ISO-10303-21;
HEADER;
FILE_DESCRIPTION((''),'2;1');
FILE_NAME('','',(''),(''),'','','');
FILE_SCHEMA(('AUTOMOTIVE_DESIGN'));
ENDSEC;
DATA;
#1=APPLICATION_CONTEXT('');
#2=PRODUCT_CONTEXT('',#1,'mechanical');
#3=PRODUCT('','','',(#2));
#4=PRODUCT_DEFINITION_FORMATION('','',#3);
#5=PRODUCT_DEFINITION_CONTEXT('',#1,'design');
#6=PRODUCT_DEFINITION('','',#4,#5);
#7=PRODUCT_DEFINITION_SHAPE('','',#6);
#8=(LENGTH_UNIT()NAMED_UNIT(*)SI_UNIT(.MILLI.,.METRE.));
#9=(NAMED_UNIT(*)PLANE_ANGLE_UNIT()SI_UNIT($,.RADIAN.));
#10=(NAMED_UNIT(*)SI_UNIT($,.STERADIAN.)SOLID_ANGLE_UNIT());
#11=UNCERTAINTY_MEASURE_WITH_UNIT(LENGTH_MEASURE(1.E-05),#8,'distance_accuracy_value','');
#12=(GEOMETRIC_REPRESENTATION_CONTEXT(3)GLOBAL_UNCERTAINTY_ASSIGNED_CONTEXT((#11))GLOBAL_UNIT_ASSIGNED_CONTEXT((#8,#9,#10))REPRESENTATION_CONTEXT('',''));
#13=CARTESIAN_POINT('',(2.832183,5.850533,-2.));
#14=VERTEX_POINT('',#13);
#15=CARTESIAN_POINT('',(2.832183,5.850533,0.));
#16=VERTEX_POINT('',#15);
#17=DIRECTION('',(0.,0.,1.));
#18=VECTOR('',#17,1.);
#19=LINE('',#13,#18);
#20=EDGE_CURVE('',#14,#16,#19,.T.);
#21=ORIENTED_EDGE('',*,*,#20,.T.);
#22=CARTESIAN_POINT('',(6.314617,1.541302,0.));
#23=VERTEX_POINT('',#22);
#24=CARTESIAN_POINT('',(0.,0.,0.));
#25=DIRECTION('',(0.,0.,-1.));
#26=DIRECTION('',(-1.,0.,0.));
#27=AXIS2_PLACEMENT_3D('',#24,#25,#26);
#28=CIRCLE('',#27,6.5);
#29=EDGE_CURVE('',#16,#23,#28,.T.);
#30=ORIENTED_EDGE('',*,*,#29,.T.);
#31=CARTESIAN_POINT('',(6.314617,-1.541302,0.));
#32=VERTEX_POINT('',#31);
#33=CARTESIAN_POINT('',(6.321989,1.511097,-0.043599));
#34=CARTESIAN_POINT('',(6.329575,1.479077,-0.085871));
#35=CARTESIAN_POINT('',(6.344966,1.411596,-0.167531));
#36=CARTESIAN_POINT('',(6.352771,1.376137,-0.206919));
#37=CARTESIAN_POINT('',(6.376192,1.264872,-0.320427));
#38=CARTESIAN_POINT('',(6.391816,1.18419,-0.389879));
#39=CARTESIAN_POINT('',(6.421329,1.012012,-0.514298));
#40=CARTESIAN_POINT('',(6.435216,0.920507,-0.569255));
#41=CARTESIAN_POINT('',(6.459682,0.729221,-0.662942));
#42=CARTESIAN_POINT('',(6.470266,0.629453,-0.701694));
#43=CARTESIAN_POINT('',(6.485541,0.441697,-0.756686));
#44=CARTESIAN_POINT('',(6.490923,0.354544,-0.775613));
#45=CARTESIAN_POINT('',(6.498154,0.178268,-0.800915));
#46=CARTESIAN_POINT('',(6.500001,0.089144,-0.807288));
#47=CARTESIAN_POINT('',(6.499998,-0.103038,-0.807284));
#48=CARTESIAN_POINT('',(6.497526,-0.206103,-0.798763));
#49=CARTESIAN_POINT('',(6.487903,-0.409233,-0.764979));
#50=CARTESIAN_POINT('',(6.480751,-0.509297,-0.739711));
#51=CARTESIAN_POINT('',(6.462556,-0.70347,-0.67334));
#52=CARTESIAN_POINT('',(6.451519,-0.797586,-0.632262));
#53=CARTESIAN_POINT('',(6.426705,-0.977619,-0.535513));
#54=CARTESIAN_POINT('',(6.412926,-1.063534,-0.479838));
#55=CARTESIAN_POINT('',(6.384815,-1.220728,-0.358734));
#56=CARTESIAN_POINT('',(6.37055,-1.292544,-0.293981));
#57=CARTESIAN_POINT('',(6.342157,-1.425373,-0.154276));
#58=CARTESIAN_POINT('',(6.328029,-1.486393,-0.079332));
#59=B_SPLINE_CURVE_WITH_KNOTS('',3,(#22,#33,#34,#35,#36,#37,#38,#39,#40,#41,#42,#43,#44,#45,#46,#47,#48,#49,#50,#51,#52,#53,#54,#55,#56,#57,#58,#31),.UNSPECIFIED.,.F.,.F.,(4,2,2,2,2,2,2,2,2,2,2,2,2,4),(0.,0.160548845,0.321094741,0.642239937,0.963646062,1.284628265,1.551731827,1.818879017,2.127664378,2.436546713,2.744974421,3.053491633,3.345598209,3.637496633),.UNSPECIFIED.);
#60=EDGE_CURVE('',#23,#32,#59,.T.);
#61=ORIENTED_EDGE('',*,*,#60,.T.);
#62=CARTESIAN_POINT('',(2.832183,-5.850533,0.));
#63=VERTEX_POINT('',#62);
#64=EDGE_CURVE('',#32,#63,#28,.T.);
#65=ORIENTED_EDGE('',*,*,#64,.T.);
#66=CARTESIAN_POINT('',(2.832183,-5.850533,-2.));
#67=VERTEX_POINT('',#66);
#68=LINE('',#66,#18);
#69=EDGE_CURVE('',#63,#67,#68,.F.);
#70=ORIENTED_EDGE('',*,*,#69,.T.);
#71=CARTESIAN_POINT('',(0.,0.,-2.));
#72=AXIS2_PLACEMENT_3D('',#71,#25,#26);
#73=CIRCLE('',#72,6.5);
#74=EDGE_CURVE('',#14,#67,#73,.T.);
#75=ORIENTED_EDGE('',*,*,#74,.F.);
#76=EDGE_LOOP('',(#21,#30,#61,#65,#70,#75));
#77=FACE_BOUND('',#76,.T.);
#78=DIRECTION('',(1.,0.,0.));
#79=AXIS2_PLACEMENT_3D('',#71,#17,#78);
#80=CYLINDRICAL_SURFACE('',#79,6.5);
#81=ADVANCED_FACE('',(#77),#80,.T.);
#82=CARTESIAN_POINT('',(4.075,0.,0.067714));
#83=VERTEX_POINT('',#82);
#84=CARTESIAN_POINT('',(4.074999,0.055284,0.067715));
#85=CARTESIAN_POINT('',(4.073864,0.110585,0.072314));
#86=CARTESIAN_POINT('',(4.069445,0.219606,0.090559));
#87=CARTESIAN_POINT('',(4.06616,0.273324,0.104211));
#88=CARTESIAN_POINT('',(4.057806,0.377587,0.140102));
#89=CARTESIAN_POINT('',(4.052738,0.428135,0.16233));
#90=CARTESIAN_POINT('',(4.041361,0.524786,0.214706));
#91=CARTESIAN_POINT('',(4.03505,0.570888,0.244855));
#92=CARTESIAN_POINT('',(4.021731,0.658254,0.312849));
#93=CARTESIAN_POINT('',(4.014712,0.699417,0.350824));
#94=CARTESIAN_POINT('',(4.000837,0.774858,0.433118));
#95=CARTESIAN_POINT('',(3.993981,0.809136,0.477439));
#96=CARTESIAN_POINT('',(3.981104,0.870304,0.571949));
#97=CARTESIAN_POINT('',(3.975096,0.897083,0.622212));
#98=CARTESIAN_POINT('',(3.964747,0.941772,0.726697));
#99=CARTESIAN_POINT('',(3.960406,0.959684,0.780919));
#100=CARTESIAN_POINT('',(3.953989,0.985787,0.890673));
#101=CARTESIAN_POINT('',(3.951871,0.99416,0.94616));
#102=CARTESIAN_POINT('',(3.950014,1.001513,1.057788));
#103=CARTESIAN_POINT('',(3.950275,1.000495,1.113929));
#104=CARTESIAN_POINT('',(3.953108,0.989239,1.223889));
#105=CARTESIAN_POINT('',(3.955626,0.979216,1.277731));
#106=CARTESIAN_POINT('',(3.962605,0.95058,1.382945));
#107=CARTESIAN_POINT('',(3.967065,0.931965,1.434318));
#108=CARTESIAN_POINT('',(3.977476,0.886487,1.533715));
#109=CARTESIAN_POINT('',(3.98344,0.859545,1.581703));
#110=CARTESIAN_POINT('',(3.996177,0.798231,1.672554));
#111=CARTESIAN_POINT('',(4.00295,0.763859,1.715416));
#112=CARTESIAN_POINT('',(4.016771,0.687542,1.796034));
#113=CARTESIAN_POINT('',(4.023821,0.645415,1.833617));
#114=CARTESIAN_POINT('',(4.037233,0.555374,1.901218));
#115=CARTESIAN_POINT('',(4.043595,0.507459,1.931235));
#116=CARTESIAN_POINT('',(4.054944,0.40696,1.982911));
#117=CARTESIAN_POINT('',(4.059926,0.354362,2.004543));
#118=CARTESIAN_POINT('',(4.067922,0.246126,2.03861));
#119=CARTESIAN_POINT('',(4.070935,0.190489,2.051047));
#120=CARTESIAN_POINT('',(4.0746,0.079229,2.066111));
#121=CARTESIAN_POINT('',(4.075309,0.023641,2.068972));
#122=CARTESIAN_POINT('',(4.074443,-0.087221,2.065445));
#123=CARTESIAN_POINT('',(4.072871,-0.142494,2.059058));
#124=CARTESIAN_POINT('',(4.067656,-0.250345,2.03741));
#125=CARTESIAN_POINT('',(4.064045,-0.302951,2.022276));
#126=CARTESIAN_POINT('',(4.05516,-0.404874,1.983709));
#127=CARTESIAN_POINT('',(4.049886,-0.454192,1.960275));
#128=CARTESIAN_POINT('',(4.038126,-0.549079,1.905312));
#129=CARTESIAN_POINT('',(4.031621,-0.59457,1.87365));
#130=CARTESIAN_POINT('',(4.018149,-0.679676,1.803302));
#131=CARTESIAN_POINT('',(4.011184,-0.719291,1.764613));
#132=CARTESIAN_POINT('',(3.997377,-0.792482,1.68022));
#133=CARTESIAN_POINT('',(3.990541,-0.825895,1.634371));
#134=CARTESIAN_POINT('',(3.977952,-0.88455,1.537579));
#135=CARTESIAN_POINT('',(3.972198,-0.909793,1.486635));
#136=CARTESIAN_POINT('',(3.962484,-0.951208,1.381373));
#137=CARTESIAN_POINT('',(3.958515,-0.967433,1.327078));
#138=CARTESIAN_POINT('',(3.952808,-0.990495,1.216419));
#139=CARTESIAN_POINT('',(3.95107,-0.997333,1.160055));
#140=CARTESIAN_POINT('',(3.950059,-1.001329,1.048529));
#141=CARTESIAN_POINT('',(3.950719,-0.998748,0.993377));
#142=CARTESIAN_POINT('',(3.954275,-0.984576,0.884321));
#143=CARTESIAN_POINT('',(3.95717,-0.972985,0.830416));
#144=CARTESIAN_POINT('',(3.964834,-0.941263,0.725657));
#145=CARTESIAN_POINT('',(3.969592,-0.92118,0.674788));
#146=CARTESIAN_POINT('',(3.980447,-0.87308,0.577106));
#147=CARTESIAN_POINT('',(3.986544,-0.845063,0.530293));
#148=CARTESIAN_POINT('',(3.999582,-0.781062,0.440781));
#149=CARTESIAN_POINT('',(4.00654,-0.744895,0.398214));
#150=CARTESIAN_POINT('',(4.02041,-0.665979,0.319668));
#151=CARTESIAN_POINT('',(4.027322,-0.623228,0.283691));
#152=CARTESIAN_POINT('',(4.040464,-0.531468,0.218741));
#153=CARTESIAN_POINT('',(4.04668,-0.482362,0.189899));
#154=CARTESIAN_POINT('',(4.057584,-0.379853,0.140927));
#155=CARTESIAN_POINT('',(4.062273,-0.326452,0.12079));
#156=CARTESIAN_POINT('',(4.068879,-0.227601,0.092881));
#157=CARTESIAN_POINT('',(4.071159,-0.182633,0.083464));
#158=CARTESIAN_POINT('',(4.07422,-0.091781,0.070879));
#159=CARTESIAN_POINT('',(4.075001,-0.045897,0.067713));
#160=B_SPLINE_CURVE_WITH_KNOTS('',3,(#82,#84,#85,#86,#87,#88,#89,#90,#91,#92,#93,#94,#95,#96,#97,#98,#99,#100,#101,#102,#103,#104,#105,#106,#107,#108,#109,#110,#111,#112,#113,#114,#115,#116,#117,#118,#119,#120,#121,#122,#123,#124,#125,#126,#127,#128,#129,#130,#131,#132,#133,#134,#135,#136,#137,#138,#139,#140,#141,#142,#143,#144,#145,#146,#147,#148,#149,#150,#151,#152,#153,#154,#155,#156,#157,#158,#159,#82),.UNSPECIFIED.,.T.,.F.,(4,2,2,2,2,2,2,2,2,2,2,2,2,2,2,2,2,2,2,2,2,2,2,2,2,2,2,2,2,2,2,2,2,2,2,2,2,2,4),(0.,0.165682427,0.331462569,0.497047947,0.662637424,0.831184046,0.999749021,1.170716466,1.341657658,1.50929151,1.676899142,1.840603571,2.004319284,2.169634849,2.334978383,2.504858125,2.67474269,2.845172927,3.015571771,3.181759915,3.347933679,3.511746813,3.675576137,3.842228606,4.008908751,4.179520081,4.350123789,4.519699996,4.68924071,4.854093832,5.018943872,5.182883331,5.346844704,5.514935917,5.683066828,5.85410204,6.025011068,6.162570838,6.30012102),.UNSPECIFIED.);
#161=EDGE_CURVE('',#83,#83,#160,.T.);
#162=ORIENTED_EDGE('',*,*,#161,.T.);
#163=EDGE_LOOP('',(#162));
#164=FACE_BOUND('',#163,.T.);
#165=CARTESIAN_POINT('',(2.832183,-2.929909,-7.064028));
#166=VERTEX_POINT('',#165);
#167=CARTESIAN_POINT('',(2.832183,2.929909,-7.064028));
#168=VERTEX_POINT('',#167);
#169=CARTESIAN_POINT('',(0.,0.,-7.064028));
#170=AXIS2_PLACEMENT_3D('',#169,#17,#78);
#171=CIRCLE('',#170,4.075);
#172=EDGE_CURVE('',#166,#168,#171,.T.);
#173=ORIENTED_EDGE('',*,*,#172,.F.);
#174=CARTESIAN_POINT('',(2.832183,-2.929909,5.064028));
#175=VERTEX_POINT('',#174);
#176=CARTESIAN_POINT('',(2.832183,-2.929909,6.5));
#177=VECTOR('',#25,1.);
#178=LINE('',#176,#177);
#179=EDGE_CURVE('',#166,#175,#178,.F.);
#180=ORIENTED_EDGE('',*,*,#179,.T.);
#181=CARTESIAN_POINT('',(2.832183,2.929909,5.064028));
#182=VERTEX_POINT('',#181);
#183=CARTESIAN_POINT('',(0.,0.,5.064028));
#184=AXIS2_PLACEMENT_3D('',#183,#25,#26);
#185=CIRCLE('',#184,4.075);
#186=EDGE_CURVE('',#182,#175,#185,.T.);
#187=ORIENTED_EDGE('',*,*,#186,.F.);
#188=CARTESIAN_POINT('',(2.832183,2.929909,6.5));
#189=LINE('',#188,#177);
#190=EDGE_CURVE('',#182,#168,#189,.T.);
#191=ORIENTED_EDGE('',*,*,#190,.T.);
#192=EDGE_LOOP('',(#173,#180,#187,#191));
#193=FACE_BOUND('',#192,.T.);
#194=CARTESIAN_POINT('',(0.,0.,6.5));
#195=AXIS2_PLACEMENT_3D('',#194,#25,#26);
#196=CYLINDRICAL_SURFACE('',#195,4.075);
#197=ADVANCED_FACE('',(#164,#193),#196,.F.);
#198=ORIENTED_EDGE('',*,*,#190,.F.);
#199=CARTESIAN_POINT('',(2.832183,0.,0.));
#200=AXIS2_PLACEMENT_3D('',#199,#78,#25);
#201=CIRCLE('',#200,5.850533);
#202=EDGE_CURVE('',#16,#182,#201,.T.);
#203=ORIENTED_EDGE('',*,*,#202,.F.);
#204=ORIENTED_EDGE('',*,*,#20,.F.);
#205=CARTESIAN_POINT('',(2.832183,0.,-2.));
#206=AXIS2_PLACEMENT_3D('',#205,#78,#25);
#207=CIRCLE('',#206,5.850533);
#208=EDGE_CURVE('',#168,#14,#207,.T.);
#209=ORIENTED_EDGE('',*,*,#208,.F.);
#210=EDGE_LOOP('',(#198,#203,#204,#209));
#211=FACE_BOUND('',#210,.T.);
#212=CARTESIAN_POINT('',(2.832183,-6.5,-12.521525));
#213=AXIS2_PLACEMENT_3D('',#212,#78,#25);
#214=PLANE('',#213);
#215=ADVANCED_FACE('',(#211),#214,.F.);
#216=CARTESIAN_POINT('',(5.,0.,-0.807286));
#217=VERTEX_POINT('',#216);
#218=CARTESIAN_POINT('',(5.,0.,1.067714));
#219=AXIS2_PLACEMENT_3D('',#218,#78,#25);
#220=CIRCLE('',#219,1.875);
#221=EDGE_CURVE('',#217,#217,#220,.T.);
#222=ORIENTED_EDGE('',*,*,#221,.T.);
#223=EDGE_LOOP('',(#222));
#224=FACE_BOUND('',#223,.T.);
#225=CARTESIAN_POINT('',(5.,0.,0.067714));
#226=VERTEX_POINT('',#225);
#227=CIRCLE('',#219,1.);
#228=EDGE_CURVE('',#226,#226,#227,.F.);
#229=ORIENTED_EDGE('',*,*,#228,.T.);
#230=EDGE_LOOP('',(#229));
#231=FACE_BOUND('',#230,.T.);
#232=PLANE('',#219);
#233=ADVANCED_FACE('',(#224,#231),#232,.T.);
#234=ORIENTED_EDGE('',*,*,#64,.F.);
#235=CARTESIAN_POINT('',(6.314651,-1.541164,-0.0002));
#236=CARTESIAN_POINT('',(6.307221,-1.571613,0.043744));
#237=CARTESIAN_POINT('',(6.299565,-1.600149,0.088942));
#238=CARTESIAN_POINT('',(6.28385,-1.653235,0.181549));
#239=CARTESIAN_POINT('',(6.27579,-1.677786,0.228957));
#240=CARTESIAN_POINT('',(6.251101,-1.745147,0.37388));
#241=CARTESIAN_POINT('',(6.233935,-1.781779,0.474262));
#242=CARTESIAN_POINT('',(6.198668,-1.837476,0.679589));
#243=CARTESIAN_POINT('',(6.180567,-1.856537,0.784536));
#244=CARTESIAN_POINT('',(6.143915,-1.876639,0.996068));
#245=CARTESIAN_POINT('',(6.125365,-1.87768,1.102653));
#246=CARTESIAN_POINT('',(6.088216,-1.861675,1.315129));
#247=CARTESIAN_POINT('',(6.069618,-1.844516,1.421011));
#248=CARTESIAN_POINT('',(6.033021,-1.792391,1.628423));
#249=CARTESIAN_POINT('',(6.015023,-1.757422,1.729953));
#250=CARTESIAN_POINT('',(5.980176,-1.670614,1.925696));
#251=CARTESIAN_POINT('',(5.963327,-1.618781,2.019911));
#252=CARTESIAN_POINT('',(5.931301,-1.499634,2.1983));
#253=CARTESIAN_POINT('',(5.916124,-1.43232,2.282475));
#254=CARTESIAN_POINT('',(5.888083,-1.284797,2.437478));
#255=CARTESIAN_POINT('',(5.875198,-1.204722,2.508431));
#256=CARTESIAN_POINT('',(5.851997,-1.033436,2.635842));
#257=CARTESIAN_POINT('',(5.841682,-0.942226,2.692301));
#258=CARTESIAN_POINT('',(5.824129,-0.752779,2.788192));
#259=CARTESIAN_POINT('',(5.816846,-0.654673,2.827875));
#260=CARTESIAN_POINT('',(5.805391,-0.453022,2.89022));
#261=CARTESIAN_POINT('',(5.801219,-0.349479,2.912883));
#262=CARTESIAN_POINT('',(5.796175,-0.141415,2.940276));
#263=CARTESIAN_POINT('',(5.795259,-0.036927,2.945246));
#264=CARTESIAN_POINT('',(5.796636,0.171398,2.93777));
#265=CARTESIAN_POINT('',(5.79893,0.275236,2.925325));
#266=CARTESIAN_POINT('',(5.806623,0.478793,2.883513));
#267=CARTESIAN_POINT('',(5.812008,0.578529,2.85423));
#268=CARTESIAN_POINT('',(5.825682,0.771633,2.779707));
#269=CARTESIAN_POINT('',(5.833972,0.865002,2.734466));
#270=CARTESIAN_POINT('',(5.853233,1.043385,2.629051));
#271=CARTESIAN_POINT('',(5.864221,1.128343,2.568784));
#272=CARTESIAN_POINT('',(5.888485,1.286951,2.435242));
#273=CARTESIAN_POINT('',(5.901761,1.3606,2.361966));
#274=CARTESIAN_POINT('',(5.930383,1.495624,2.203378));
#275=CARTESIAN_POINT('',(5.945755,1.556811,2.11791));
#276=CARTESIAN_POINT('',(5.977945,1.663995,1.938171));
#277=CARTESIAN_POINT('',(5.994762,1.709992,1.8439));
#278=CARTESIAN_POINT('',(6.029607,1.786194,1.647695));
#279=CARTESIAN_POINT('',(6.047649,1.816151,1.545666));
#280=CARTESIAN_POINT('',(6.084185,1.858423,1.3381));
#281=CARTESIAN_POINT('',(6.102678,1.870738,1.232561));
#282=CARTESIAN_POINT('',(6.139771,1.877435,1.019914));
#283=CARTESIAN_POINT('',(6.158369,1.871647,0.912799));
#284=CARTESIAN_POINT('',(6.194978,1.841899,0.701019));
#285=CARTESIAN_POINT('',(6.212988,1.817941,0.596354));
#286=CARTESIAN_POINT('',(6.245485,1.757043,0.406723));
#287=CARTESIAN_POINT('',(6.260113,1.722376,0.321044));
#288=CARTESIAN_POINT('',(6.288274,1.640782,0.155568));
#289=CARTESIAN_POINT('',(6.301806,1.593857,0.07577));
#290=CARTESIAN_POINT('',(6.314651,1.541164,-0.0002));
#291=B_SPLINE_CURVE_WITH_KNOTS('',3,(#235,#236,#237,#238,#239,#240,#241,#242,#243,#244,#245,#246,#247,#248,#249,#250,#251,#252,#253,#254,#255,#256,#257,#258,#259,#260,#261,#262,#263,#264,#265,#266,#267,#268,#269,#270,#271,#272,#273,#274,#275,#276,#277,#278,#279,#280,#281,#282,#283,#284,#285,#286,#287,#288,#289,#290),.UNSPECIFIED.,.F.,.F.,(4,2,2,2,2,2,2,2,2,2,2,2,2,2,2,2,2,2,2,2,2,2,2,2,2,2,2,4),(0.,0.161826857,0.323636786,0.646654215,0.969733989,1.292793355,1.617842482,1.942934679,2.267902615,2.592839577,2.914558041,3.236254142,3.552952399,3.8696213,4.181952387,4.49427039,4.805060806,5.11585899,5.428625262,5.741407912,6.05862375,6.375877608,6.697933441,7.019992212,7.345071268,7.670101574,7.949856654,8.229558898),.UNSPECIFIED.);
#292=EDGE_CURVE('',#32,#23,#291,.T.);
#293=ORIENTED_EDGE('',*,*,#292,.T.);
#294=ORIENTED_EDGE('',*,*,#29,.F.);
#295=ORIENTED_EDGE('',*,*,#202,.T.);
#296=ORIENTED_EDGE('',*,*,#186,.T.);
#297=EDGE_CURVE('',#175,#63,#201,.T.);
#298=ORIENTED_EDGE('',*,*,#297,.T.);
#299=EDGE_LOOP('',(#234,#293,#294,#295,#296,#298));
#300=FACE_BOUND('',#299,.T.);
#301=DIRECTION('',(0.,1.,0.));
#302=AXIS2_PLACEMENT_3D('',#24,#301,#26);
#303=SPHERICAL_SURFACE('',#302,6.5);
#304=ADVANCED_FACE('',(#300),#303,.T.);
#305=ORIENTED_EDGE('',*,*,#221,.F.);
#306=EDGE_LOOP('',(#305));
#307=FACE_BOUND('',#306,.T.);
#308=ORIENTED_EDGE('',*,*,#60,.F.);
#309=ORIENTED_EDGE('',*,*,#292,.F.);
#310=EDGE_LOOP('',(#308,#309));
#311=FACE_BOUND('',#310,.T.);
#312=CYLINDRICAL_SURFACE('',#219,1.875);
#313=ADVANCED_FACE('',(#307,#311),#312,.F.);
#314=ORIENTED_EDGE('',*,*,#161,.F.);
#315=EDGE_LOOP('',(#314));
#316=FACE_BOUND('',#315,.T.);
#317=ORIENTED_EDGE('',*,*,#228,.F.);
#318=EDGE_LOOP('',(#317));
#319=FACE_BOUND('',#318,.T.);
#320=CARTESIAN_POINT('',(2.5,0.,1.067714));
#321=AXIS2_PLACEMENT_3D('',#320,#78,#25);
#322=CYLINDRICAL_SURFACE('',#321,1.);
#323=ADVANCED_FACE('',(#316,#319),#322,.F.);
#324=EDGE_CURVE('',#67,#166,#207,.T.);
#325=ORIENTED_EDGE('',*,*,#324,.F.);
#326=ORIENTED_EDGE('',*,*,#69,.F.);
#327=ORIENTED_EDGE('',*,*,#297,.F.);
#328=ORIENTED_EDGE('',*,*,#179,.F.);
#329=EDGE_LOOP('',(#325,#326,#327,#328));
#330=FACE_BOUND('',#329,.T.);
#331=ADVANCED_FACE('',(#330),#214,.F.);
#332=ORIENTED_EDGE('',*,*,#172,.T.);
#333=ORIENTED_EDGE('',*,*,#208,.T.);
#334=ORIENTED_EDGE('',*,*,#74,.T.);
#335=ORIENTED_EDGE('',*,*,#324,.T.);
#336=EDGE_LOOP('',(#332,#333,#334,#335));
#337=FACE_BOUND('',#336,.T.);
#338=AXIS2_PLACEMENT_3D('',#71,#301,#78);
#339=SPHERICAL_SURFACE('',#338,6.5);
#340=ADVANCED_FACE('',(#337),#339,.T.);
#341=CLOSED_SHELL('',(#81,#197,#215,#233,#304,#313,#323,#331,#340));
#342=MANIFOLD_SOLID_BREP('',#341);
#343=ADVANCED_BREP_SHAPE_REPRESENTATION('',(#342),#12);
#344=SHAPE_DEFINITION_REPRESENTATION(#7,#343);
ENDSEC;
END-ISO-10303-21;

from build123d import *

# Parameters (mm, degrees)
BODY_ANGLE                  = 180
HOLE_FOR_HANDLE_DEPTH       = 7.5
SKETCH6_R                   = 1.1303
F_5_40_SET_SCREW_HOLE_DEPTH = 7
SKETCH8_R                   = 0.75
HOLE_FOR_CABLE_DEPTH        = 7
SKETCH9_R                   = 6.5
SKETCH9_R_2                 = 0.75
BOSS_EXTRUDE1_DEPTH         = 2
SKETCH10_R                  = 0.8
F_2X0_4_SCREW_HOLE_DEPTH    = 14
SKETCH11_R                  = 1
CUT_EXTRUDE5_DEPTH          = 4
SKETCH12_R                  = 1.875
CUT_EXTRUDE6_DEPTH          = 1.5
REVOLVE4_ANGLE              = 180
SKETCH14_R                  = 0.75
CUT_EXTRUDE7_DEPTH          = 7.5
SKETCH15_W                  = 12.911147491
SKETCH15_H                  = 21.852119754
CUT_EXTRUDE9_DEPTH          = 14.0000001


with BuildPart() as part:
    # Sketch3 → body (revolve)
    with BuildSketch(Plane.XY):
        with BuildLine():
            Line((0, 6.5), (0, -6.5))
            ThreePointArc((0, -6.5), (6.5, 0), (0, 6.5))
        make_face()
    revolve(axis=Axis((0, 6.5, 0), (0, -1, 0)), revolution_arc=BODY_ANGLE)

    # Sketch5 → hole for handle (cut, through all)
    with BuildSketch(Plane(origin=(0, 0, 0), x_dir=(-1, 0, 0), z_dir=(0, 0, -1))):
        with BuildLine():
            Line((1.5, 3.688881761), (1.5, 2.702827207))
            Line((1.5, 2.702827207), (-1.5, 2.702827207))
            Line((-1.5, 2.702827207), (-1.5, 3.688881761))
            Line((-1.5, 3.688881761), (-1.5, 3.788881761))
            ThreePointArc((-1.5, 3.788881761), (0, -4.075), (1.5, 3.788881761))
            Line((1.5, 3.788881761), (1.5, 3.688881761))
        make_face()
    extrude(amount=-HOLE_FOR_HANDLE_DEPTH, mode=Mode.SUBTRACT)

    # Sketch6 → 5-40 set screw hole (cut)
    with BuildSketch(Plane(origin=(0, 6.5, 0), x_dir=(1, 0, 0), z_dir=(0, 1, 0))):
        with Locations((0, -1.564027547)):
            Circle(SKETCH6_R)
    extrude(amount=-F_5_40_SET_SCREW_HOLE_DEPTH, mode=Mode.SUBTRACT)

    # Sketch8 → hole for cable (cut)
    with BuildSketch(Plane(origin=(0, 0, 0), x_dir=(-1, 0, 0), z_dir=(0, 0, -1))):
        with Locations((0, 4.237225844)):
            Circle(SKETCH8_R)
    extrude(amount=-HOLE_FOR_CABLE_DEPTH, mode=Mode.SUBTRACT)

    # Sketch9 → Boss-Extrude1 (add)
    with BuildSketch(Plane(origin=(0, 0, 0), x_dir=(-1, 0, 0), z_dir=(0, 0, -1))):
        Circle(SKETCH9_R)
        with Locations((0, 4.237225844)):
            Circle(SKETCH9_R_2, mode=Mode.SUBTRACT)
        with BuildLine():
            Line((-1.5, 2.702827207), (-1.5, 3.788881761))
            ThreePointArc((-1.5, 3.788881761), (0, -4.075), (1.5, 3.788881761))
            Line((1.5, 3.788881761), (1.5, 2.702827207))
            Line((1.5, 2.702827207), (-1.5, 2.702827207))
        make_face(mode=Mode.SUBTRACT)
    extrude(amount=BOSS_EXTRUDE1_DEPTH)

    # Sketch10 → 2X0.4 screw hole (cut, through all)
    with BuildSketch(Plane(origin=(6.5, 0, 0), x_dir=(0, 0, -1), z_dir=(1, 0, 0))):
        with Locations((-1.067713855, 0)):
            Circle(SKETCH10_R)
    extrude(amount=-F_2X0_4_SCREW_HOLE_DEPTH, mode=Mode.SUBTRACT)

    # Sketch11 → Cut-Extrude5 (cut)
    with BuildSketch(Plane(origin=(6.5, 0, 0), x_dir=(0, 0, -1), z_dir=(1, 0, 0))):
        with Locations((-1.067713855, 0)):
            Circle(SKETCH11_R)
    extrude(amount=-CUT_EXTRUDE5_DEPTH, mode=Mode.SUBTRACT)

    # Sketch12 → Cut-Extrude6 (cut)
    with BuildSketch(Plane(origin=(6.5, 0, 0), x_dir=(0, 0, -1), z_dir=(1, 0, 0))):
        with Locations((-1.067713855, 0)):
            Circle(SKETCH12_R)
    extrude(amount=-CUT_EXTRUDE6_DEPTH, mode=Mode.SUBTRACT)

    # Sketch13 → Revolve4 (revolve)
    with BuildSketch(Plane(origin=(0, 0, -2), x_dir=(-1, 0, 0), z_dir=(0, 0, -1))):
        with BuildLine():
            Line((0, 6.5), (0, -6.5))
            ThreePointArc((0, -6.5), (6.5, 0), (0, 6.5))
        make_face()
    revolve(axis=Axis((0, 6.5, -2), (0, -1, 0)), revolution_arc=REVOLVE4_ANGLE)

    # Sketch14 → Cut-Extrude7 (cut, through all)
    with BuildSketch(Plane.XY.offset(-2)):
        with Locations((0, 4.237225844)):
            Circle(SKETCH14_R)
        with BuildLine():
            Line((1.5, 3.788881761), (1.5, 2.702827207))
            Line((1.5, 2.702827207), (-1.5, 2.702827207))
            Line((-1.5, 2.702827207), (-1.5, 3.788881761))
            ThreePointArc((-1.5, 3.788881761), (0, -4.075), (1.5, 3.788881761))
        make_face()
    extrude(amount=-CUT_EXTRUDE7_DEPTH, mode=Mode.SUBTRACT)

    # Sketch15 → Cut-Extrude9 (cut, through all)
    with BuildSketch(Plane(origin=(0, 6.5, 0), x_dir=(1, 0, 0), z_dir=(0, 1, 0))):
        with Locations((-3.623390746, 1.595465377)):
            Rectangle(SKETCH15_W, SKETCH15_H)
    extrude(amount=-CUT_EXTRUDE9_DEPTH, mode=Mode.SUBTRACT)


solid = part.part
